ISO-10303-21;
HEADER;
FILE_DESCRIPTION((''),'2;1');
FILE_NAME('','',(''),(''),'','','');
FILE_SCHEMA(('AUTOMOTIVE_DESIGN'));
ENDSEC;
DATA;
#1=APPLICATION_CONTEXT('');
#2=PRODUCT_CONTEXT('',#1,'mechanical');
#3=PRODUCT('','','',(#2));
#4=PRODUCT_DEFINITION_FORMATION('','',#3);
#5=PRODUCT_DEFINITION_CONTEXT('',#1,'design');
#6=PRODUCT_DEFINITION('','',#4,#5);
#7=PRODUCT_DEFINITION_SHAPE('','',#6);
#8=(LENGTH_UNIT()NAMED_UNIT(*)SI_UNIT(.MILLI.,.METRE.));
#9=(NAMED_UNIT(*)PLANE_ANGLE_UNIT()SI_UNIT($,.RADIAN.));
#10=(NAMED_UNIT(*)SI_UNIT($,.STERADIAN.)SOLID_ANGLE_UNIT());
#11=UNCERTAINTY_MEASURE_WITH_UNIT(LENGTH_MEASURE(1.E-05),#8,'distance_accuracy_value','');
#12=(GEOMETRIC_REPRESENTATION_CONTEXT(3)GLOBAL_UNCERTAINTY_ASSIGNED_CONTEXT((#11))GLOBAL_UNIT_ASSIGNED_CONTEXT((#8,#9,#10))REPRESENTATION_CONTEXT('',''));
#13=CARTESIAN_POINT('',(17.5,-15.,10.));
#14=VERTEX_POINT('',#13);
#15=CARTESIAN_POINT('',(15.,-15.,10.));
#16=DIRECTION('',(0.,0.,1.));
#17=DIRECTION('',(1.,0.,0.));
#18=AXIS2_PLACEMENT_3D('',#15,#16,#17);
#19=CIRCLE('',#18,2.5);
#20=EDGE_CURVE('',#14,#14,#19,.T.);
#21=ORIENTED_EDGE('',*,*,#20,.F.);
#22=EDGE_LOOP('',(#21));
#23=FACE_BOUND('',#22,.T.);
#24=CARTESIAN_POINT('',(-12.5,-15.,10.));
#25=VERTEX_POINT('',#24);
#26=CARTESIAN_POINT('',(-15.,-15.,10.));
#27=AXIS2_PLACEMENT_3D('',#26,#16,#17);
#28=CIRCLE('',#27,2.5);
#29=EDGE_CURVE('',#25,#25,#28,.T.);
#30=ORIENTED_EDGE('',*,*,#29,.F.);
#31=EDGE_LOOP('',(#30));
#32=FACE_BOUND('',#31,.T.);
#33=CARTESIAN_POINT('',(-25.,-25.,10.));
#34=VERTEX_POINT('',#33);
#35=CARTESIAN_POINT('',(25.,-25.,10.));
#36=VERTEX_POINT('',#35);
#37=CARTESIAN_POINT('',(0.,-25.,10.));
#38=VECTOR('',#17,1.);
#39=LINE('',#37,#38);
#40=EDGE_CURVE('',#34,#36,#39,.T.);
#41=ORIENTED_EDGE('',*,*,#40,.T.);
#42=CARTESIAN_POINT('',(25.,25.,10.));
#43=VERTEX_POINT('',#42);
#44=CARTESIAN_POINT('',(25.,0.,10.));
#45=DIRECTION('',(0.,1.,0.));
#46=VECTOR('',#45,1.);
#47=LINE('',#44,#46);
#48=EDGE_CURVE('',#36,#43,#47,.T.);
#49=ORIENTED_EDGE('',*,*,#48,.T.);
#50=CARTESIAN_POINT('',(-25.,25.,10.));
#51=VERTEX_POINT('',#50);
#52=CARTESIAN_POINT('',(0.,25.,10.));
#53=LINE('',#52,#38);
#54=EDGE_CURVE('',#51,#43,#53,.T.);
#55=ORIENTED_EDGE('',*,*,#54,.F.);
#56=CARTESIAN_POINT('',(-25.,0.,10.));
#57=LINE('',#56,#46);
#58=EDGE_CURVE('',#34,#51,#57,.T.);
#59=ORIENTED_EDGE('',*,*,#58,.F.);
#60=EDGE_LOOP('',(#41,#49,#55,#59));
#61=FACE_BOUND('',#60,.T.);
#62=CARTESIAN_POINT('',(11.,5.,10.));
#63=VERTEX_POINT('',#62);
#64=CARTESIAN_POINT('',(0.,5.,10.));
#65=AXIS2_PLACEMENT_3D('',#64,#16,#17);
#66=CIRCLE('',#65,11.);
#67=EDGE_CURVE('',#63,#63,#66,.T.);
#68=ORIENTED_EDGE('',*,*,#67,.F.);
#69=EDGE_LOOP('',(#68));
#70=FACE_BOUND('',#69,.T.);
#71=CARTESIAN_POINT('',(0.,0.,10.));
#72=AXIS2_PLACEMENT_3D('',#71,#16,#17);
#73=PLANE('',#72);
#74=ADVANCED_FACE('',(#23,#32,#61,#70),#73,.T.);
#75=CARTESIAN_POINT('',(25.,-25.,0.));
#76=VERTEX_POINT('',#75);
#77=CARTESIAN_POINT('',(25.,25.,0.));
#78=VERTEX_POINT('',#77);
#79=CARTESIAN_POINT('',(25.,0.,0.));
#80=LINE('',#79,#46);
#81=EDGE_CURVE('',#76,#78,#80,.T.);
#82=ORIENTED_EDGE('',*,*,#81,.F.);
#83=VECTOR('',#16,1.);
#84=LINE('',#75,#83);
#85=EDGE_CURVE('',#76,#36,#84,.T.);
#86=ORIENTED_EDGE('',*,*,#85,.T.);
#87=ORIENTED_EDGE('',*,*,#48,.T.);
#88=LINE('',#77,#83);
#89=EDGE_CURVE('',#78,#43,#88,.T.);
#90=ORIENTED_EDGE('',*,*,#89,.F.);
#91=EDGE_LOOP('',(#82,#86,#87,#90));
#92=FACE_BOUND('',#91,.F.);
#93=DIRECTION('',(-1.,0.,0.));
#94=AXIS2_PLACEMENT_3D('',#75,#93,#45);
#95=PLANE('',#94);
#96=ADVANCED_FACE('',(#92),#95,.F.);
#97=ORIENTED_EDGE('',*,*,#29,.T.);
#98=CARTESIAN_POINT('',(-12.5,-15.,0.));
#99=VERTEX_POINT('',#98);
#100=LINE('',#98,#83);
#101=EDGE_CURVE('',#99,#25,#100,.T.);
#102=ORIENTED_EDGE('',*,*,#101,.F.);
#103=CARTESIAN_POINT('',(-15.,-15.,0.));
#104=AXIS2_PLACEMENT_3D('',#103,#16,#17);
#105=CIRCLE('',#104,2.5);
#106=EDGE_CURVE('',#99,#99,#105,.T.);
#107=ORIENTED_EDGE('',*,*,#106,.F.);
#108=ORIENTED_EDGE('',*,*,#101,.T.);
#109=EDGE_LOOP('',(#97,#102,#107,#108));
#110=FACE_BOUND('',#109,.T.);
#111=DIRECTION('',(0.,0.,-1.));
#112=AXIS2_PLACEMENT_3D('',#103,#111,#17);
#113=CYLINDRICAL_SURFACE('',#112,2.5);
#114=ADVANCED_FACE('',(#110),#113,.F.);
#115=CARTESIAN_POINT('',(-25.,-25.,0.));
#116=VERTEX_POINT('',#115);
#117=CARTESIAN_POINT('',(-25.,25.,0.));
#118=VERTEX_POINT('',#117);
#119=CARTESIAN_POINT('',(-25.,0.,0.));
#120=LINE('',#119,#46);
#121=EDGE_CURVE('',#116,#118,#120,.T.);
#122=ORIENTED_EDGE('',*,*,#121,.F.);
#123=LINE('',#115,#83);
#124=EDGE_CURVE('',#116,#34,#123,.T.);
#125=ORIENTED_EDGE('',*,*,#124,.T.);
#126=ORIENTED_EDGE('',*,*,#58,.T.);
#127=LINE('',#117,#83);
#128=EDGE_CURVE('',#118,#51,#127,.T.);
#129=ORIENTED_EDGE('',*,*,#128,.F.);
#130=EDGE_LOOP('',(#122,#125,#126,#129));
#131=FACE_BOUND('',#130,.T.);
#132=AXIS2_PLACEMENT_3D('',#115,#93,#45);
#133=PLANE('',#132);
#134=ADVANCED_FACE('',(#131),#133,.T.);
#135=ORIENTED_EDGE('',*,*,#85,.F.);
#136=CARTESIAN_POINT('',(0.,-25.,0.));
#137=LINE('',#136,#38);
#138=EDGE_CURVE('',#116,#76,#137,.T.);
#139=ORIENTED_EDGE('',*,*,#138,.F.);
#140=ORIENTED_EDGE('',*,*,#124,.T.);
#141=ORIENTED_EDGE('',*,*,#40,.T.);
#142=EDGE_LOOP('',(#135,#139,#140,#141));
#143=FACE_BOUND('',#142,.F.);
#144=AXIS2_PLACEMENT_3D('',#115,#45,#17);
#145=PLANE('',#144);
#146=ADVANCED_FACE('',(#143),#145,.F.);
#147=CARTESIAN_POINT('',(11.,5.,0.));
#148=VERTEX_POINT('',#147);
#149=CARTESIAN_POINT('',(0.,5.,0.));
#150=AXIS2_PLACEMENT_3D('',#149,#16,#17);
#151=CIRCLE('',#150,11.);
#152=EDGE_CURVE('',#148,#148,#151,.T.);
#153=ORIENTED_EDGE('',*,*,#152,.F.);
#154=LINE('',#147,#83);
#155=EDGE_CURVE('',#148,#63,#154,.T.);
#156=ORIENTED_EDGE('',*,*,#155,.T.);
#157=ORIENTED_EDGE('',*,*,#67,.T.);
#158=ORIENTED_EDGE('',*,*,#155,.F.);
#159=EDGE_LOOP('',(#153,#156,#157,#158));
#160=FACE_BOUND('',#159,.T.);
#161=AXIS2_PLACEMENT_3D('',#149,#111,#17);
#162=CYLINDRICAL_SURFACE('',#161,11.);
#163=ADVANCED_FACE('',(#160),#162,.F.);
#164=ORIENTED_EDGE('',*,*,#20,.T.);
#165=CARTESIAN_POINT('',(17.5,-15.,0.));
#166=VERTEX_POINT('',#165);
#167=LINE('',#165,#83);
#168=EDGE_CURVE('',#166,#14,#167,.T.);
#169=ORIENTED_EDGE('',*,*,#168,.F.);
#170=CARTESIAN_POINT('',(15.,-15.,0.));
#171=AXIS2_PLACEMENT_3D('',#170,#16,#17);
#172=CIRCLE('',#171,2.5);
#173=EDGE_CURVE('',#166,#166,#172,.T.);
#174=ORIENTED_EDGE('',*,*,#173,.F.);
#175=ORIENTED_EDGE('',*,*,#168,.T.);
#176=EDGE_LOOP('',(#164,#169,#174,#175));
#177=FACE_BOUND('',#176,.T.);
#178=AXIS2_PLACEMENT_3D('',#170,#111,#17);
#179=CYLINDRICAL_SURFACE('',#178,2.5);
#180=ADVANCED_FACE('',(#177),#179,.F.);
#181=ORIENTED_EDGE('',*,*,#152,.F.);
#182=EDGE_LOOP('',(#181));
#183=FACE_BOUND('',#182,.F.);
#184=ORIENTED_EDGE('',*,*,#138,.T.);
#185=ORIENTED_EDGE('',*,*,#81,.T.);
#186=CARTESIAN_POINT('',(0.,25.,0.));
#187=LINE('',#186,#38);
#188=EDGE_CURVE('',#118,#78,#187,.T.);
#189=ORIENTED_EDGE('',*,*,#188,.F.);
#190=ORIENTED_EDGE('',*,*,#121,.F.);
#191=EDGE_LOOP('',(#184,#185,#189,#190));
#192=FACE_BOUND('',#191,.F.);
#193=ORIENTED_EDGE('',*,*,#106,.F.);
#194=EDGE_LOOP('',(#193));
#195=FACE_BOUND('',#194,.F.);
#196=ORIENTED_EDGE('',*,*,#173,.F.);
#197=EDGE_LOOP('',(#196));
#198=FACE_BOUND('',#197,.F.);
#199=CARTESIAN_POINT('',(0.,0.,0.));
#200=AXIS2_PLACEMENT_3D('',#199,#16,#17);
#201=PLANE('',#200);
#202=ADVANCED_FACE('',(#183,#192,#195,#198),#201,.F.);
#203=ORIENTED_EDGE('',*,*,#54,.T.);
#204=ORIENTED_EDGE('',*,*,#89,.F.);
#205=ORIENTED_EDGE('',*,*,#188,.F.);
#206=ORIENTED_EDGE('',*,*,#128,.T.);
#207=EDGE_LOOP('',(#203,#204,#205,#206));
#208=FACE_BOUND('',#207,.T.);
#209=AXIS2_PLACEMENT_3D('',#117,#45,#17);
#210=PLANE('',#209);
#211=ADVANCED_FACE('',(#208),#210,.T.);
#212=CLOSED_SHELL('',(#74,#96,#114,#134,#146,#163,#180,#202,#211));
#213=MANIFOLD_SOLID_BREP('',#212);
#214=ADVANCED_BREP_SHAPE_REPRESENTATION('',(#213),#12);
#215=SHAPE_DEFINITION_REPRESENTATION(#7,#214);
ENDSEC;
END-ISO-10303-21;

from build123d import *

# Parameters (mm, degrees)
F0_W     = 50
F0_H     = 50
F0_R     = 2.5
F0_R_2   = 11
F1_DEPTH = 10


with BuildPart() as f1:
    # F0 (on Top) → F1 (new body)
    with BuildSketch(Plane.XY):
        Rectangle(F0_W, F0_H)
        with Locations((-15, -15)):
            Circle(F0_R, mode=Mode.SUBTRACT)
        with Locations((15, -15)):
            Circle(F0_R, mode=Mode.SUBTRACT)
        with Locations((0, 5)):
            Circle(F0_R_2, mode=Mode.SUBTRACT)
    extrude(amount=F1_DEPTH)


solid = f1.part
